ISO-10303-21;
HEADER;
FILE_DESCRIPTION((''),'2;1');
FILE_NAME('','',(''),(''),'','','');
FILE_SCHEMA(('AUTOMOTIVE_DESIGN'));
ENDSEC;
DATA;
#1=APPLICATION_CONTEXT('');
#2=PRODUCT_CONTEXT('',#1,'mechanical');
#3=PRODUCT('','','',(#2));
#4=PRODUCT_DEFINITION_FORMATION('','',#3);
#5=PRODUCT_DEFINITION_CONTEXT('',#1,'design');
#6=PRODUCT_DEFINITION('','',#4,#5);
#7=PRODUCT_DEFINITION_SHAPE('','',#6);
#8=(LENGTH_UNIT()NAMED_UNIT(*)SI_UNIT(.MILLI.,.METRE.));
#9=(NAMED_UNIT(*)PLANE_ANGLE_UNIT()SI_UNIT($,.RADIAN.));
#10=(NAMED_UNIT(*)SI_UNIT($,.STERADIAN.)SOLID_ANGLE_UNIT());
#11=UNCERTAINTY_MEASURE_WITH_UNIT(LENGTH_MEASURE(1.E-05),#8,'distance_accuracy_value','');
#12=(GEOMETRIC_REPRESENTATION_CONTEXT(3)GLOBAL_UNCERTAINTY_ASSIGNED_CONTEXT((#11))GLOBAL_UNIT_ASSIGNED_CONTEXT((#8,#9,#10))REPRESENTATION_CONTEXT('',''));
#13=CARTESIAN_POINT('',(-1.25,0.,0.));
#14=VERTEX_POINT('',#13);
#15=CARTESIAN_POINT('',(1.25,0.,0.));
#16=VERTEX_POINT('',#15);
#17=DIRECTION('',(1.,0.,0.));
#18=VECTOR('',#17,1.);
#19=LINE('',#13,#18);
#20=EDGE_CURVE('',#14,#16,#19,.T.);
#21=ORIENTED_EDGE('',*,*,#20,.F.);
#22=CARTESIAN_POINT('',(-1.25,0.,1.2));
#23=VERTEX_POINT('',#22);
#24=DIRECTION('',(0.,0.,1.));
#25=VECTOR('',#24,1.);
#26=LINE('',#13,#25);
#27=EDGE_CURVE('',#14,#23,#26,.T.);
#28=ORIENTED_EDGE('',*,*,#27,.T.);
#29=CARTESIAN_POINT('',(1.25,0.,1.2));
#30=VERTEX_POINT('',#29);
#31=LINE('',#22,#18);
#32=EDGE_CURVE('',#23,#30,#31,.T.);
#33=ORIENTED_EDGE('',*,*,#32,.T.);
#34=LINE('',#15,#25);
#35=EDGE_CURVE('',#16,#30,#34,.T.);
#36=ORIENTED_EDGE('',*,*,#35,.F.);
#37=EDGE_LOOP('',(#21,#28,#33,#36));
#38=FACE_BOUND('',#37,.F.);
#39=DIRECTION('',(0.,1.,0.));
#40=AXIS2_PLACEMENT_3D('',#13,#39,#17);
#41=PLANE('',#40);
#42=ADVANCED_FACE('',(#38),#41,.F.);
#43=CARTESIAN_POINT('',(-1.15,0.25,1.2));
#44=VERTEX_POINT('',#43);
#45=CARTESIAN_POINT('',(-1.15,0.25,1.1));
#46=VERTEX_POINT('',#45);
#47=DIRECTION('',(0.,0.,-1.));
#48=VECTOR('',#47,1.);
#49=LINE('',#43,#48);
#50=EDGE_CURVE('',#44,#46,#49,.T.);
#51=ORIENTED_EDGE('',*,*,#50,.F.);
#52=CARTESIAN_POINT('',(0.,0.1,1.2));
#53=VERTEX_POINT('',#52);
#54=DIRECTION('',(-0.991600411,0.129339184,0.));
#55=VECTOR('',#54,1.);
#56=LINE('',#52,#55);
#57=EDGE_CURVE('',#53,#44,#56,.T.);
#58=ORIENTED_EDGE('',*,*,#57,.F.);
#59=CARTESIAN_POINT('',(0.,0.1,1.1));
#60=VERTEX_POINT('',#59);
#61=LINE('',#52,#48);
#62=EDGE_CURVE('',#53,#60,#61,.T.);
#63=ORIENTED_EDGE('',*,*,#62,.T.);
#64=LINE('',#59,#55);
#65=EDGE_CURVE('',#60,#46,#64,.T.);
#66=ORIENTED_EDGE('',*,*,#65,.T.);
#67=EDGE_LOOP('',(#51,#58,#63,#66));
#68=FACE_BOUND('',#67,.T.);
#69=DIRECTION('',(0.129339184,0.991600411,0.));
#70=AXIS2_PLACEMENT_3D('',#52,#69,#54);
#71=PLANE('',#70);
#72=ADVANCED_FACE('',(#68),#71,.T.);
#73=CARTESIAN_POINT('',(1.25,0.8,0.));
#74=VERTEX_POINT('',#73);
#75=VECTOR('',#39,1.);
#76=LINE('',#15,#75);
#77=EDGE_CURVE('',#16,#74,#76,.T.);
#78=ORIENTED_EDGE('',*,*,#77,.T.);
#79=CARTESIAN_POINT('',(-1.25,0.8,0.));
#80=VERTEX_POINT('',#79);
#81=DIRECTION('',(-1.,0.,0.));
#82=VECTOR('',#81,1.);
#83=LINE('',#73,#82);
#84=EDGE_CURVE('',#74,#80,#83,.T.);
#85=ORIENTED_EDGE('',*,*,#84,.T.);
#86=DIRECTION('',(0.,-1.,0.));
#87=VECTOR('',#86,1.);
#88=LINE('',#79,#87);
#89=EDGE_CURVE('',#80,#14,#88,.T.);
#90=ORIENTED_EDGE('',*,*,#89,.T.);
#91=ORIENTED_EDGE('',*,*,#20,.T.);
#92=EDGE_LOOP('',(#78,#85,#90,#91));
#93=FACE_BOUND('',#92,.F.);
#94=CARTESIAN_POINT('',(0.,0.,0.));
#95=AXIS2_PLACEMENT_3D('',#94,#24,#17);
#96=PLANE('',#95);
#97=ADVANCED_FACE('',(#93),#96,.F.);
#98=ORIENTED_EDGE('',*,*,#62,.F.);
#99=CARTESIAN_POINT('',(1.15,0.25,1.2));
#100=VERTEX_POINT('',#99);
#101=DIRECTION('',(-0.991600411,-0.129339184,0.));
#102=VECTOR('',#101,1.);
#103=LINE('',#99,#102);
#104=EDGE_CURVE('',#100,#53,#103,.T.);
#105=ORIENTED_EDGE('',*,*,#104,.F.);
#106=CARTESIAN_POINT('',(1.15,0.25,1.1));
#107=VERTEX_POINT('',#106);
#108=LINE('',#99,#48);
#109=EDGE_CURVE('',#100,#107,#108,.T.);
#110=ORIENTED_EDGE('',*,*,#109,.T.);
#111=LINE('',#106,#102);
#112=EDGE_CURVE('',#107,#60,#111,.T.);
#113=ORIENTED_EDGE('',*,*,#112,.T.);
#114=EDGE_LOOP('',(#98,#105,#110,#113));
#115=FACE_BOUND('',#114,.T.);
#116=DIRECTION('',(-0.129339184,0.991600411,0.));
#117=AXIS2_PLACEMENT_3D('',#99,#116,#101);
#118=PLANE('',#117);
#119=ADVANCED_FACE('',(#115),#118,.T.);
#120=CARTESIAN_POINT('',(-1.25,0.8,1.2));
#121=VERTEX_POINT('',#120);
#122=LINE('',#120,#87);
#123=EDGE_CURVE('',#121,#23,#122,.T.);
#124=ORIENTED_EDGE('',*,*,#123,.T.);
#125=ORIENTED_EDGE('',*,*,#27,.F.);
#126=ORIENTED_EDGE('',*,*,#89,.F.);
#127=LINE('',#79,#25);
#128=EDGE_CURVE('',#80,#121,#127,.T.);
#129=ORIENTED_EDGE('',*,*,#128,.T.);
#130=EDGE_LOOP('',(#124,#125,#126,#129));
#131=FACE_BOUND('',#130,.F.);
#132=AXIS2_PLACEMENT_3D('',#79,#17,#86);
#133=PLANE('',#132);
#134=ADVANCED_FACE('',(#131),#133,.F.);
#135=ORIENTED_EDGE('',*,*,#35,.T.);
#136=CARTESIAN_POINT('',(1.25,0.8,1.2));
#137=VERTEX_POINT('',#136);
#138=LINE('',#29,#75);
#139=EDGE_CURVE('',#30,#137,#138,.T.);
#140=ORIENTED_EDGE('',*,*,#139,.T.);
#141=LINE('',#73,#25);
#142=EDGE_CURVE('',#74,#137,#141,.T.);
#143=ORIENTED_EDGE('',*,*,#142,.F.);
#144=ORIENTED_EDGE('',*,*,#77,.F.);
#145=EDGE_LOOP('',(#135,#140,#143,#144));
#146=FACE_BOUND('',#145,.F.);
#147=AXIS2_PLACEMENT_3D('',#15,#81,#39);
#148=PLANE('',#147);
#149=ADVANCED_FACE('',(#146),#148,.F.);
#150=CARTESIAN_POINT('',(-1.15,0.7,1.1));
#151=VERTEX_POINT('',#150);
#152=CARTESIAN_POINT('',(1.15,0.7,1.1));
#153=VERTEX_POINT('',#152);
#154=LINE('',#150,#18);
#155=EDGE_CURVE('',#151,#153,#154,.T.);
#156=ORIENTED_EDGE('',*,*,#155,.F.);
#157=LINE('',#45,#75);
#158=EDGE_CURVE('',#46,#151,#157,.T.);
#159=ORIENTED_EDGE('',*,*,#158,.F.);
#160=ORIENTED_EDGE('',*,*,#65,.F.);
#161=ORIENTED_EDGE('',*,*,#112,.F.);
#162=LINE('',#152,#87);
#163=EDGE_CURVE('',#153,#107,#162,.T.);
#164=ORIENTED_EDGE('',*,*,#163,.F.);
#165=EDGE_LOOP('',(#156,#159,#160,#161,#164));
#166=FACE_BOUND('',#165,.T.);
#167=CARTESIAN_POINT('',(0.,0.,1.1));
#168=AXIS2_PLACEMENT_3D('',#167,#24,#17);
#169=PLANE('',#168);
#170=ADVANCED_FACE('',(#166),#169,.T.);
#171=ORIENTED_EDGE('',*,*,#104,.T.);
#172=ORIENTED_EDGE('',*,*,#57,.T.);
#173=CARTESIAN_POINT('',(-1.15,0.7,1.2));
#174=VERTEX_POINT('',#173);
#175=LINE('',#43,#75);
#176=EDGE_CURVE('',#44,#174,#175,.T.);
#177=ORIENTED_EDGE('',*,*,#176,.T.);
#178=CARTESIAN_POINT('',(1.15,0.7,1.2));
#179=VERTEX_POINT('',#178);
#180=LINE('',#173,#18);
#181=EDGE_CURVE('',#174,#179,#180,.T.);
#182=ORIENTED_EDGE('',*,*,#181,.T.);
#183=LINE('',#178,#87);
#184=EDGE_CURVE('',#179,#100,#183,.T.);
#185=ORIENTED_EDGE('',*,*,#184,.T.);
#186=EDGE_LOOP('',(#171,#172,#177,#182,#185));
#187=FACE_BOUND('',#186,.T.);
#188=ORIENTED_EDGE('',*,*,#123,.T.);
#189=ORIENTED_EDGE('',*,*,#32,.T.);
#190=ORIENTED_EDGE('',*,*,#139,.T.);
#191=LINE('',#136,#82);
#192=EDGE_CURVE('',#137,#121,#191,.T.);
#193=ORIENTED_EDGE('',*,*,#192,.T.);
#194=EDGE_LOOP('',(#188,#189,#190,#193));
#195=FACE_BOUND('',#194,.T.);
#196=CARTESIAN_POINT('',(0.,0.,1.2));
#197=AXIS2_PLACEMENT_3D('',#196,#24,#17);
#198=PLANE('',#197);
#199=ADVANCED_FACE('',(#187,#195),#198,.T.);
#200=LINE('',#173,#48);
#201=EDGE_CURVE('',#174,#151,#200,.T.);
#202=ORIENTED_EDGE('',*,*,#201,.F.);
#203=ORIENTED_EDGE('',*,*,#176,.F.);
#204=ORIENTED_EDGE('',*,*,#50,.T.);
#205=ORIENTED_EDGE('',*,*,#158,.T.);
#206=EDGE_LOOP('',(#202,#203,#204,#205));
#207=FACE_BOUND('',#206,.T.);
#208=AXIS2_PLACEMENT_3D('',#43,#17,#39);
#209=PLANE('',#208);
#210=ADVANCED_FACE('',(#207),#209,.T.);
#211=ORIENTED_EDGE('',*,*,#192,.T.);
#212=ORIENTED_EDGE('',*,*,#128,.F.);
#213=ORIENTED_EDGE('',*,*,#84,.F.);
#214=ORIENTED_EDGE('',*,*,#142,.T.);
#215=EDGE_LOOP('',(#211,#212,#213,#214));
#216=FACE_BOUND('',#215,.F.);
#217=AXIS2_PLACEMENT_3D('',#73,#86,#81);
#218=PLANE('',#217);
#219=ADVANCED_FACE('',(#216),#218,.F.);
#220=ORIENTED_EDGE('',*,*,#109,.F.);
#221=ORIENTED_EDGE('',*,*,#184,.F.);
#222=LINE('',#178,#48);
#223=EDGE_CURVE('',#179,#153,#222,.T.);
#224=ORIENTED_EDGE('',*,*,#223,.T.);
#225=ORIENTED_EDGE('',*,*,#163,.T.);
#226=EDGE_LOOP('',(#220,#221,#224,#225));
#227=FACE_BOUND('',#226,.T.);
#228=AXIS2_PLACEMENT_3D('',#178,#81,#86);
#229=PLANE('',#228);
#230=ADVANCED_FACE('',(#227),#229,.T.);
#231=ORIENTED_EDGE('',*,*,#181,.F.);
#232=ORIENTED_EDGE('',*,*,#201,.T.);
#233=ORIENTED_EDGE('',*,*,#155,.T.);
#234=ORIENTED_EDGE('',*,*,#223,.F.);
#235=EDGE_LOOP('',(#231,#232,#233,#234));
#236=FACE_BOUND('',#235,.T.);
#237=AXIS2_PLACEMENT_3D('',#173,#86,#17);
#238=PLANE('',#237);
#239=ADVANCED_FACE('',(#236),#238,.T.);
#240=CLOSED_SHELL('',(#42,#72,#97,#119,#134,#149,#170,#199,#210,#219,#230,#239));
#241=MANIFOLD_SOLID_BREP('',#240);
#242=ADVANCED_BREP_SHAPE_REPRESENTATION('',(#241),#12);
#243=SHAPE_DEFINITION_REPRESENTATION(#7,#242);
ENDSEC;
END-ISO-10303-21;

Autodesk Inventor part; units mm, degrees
ref_plane "YZ Plane" through (0, 0, 0) normal (1, 0, 0) x (0, 1, 0)
ref_plane "XZ Plane" through (0, 0, 0) normal (0, 1, 0) x (-1, 0, 0)
ref_plane "XY Plane" through (0, 0, 0) normal (0, 0, 1) x (1, 0, 0)
sketch "Sketch1" plane through (0, 0, 0) normal (0, 0, 1) x (1, 0, 0)
  line L0 (-1.25, 0) -> (1.25, 0)
  line L1 (1.25, 0) -> (1.25, 0.8)
  line L2 (1.25, 0.8) -> (-1.25, 0.8)
  line L3 (-1.25, 0.8) -> (-1.25, 0)
  point P0 (0, 0)
  dimension "d0" = 2.5
  dimension "d1" = 1.25
  dimension "d2" = 0.8
extrude "Extrusion1" add sketch "Sketch1" along normal blind 1.2
sketch "Sketch2" plane through (0, 0, 1.2) normal (0, 0, 1) x (1, 0, 0)
  line L0 (-1.15, 0.7) -> (1.15, 0.7)
  line L1 (1.15, 0.7) -> (1.15, 0.25)
  line L2 (1.15, 0.25) -> (0, 0.1)
  line L3 (0, 0.1) -> (-1.15, 0.25)
  line L4 (-1.15, 0.25) -> (-1.15, 0.7)
  line L5 (-1.25, 0.8) -> (-1.25, 0) projected
  line L6 (1.25, 0) -> (1.25, 0.8) projected
  line L7 (1.25, 0.8) -> (-1.25, 0.8) projected
  point P0 (0, 0)
  dimension "d5" = 0.45
  dimension "d6" = 0.1
  dimension "d7" = 0.1
  dimension "d8" = 0.1
  dimension "d9" = 0.45
  dimension "d10" = 0.1
extrude "Extrusion2" cut sketch "Sketch2" against normal blind 0.1
equation "\"d1\" = 0.5 * d0"
equation "\"d9\" = d5"
properties part number "XGEN_LED-sidelooker_red"
